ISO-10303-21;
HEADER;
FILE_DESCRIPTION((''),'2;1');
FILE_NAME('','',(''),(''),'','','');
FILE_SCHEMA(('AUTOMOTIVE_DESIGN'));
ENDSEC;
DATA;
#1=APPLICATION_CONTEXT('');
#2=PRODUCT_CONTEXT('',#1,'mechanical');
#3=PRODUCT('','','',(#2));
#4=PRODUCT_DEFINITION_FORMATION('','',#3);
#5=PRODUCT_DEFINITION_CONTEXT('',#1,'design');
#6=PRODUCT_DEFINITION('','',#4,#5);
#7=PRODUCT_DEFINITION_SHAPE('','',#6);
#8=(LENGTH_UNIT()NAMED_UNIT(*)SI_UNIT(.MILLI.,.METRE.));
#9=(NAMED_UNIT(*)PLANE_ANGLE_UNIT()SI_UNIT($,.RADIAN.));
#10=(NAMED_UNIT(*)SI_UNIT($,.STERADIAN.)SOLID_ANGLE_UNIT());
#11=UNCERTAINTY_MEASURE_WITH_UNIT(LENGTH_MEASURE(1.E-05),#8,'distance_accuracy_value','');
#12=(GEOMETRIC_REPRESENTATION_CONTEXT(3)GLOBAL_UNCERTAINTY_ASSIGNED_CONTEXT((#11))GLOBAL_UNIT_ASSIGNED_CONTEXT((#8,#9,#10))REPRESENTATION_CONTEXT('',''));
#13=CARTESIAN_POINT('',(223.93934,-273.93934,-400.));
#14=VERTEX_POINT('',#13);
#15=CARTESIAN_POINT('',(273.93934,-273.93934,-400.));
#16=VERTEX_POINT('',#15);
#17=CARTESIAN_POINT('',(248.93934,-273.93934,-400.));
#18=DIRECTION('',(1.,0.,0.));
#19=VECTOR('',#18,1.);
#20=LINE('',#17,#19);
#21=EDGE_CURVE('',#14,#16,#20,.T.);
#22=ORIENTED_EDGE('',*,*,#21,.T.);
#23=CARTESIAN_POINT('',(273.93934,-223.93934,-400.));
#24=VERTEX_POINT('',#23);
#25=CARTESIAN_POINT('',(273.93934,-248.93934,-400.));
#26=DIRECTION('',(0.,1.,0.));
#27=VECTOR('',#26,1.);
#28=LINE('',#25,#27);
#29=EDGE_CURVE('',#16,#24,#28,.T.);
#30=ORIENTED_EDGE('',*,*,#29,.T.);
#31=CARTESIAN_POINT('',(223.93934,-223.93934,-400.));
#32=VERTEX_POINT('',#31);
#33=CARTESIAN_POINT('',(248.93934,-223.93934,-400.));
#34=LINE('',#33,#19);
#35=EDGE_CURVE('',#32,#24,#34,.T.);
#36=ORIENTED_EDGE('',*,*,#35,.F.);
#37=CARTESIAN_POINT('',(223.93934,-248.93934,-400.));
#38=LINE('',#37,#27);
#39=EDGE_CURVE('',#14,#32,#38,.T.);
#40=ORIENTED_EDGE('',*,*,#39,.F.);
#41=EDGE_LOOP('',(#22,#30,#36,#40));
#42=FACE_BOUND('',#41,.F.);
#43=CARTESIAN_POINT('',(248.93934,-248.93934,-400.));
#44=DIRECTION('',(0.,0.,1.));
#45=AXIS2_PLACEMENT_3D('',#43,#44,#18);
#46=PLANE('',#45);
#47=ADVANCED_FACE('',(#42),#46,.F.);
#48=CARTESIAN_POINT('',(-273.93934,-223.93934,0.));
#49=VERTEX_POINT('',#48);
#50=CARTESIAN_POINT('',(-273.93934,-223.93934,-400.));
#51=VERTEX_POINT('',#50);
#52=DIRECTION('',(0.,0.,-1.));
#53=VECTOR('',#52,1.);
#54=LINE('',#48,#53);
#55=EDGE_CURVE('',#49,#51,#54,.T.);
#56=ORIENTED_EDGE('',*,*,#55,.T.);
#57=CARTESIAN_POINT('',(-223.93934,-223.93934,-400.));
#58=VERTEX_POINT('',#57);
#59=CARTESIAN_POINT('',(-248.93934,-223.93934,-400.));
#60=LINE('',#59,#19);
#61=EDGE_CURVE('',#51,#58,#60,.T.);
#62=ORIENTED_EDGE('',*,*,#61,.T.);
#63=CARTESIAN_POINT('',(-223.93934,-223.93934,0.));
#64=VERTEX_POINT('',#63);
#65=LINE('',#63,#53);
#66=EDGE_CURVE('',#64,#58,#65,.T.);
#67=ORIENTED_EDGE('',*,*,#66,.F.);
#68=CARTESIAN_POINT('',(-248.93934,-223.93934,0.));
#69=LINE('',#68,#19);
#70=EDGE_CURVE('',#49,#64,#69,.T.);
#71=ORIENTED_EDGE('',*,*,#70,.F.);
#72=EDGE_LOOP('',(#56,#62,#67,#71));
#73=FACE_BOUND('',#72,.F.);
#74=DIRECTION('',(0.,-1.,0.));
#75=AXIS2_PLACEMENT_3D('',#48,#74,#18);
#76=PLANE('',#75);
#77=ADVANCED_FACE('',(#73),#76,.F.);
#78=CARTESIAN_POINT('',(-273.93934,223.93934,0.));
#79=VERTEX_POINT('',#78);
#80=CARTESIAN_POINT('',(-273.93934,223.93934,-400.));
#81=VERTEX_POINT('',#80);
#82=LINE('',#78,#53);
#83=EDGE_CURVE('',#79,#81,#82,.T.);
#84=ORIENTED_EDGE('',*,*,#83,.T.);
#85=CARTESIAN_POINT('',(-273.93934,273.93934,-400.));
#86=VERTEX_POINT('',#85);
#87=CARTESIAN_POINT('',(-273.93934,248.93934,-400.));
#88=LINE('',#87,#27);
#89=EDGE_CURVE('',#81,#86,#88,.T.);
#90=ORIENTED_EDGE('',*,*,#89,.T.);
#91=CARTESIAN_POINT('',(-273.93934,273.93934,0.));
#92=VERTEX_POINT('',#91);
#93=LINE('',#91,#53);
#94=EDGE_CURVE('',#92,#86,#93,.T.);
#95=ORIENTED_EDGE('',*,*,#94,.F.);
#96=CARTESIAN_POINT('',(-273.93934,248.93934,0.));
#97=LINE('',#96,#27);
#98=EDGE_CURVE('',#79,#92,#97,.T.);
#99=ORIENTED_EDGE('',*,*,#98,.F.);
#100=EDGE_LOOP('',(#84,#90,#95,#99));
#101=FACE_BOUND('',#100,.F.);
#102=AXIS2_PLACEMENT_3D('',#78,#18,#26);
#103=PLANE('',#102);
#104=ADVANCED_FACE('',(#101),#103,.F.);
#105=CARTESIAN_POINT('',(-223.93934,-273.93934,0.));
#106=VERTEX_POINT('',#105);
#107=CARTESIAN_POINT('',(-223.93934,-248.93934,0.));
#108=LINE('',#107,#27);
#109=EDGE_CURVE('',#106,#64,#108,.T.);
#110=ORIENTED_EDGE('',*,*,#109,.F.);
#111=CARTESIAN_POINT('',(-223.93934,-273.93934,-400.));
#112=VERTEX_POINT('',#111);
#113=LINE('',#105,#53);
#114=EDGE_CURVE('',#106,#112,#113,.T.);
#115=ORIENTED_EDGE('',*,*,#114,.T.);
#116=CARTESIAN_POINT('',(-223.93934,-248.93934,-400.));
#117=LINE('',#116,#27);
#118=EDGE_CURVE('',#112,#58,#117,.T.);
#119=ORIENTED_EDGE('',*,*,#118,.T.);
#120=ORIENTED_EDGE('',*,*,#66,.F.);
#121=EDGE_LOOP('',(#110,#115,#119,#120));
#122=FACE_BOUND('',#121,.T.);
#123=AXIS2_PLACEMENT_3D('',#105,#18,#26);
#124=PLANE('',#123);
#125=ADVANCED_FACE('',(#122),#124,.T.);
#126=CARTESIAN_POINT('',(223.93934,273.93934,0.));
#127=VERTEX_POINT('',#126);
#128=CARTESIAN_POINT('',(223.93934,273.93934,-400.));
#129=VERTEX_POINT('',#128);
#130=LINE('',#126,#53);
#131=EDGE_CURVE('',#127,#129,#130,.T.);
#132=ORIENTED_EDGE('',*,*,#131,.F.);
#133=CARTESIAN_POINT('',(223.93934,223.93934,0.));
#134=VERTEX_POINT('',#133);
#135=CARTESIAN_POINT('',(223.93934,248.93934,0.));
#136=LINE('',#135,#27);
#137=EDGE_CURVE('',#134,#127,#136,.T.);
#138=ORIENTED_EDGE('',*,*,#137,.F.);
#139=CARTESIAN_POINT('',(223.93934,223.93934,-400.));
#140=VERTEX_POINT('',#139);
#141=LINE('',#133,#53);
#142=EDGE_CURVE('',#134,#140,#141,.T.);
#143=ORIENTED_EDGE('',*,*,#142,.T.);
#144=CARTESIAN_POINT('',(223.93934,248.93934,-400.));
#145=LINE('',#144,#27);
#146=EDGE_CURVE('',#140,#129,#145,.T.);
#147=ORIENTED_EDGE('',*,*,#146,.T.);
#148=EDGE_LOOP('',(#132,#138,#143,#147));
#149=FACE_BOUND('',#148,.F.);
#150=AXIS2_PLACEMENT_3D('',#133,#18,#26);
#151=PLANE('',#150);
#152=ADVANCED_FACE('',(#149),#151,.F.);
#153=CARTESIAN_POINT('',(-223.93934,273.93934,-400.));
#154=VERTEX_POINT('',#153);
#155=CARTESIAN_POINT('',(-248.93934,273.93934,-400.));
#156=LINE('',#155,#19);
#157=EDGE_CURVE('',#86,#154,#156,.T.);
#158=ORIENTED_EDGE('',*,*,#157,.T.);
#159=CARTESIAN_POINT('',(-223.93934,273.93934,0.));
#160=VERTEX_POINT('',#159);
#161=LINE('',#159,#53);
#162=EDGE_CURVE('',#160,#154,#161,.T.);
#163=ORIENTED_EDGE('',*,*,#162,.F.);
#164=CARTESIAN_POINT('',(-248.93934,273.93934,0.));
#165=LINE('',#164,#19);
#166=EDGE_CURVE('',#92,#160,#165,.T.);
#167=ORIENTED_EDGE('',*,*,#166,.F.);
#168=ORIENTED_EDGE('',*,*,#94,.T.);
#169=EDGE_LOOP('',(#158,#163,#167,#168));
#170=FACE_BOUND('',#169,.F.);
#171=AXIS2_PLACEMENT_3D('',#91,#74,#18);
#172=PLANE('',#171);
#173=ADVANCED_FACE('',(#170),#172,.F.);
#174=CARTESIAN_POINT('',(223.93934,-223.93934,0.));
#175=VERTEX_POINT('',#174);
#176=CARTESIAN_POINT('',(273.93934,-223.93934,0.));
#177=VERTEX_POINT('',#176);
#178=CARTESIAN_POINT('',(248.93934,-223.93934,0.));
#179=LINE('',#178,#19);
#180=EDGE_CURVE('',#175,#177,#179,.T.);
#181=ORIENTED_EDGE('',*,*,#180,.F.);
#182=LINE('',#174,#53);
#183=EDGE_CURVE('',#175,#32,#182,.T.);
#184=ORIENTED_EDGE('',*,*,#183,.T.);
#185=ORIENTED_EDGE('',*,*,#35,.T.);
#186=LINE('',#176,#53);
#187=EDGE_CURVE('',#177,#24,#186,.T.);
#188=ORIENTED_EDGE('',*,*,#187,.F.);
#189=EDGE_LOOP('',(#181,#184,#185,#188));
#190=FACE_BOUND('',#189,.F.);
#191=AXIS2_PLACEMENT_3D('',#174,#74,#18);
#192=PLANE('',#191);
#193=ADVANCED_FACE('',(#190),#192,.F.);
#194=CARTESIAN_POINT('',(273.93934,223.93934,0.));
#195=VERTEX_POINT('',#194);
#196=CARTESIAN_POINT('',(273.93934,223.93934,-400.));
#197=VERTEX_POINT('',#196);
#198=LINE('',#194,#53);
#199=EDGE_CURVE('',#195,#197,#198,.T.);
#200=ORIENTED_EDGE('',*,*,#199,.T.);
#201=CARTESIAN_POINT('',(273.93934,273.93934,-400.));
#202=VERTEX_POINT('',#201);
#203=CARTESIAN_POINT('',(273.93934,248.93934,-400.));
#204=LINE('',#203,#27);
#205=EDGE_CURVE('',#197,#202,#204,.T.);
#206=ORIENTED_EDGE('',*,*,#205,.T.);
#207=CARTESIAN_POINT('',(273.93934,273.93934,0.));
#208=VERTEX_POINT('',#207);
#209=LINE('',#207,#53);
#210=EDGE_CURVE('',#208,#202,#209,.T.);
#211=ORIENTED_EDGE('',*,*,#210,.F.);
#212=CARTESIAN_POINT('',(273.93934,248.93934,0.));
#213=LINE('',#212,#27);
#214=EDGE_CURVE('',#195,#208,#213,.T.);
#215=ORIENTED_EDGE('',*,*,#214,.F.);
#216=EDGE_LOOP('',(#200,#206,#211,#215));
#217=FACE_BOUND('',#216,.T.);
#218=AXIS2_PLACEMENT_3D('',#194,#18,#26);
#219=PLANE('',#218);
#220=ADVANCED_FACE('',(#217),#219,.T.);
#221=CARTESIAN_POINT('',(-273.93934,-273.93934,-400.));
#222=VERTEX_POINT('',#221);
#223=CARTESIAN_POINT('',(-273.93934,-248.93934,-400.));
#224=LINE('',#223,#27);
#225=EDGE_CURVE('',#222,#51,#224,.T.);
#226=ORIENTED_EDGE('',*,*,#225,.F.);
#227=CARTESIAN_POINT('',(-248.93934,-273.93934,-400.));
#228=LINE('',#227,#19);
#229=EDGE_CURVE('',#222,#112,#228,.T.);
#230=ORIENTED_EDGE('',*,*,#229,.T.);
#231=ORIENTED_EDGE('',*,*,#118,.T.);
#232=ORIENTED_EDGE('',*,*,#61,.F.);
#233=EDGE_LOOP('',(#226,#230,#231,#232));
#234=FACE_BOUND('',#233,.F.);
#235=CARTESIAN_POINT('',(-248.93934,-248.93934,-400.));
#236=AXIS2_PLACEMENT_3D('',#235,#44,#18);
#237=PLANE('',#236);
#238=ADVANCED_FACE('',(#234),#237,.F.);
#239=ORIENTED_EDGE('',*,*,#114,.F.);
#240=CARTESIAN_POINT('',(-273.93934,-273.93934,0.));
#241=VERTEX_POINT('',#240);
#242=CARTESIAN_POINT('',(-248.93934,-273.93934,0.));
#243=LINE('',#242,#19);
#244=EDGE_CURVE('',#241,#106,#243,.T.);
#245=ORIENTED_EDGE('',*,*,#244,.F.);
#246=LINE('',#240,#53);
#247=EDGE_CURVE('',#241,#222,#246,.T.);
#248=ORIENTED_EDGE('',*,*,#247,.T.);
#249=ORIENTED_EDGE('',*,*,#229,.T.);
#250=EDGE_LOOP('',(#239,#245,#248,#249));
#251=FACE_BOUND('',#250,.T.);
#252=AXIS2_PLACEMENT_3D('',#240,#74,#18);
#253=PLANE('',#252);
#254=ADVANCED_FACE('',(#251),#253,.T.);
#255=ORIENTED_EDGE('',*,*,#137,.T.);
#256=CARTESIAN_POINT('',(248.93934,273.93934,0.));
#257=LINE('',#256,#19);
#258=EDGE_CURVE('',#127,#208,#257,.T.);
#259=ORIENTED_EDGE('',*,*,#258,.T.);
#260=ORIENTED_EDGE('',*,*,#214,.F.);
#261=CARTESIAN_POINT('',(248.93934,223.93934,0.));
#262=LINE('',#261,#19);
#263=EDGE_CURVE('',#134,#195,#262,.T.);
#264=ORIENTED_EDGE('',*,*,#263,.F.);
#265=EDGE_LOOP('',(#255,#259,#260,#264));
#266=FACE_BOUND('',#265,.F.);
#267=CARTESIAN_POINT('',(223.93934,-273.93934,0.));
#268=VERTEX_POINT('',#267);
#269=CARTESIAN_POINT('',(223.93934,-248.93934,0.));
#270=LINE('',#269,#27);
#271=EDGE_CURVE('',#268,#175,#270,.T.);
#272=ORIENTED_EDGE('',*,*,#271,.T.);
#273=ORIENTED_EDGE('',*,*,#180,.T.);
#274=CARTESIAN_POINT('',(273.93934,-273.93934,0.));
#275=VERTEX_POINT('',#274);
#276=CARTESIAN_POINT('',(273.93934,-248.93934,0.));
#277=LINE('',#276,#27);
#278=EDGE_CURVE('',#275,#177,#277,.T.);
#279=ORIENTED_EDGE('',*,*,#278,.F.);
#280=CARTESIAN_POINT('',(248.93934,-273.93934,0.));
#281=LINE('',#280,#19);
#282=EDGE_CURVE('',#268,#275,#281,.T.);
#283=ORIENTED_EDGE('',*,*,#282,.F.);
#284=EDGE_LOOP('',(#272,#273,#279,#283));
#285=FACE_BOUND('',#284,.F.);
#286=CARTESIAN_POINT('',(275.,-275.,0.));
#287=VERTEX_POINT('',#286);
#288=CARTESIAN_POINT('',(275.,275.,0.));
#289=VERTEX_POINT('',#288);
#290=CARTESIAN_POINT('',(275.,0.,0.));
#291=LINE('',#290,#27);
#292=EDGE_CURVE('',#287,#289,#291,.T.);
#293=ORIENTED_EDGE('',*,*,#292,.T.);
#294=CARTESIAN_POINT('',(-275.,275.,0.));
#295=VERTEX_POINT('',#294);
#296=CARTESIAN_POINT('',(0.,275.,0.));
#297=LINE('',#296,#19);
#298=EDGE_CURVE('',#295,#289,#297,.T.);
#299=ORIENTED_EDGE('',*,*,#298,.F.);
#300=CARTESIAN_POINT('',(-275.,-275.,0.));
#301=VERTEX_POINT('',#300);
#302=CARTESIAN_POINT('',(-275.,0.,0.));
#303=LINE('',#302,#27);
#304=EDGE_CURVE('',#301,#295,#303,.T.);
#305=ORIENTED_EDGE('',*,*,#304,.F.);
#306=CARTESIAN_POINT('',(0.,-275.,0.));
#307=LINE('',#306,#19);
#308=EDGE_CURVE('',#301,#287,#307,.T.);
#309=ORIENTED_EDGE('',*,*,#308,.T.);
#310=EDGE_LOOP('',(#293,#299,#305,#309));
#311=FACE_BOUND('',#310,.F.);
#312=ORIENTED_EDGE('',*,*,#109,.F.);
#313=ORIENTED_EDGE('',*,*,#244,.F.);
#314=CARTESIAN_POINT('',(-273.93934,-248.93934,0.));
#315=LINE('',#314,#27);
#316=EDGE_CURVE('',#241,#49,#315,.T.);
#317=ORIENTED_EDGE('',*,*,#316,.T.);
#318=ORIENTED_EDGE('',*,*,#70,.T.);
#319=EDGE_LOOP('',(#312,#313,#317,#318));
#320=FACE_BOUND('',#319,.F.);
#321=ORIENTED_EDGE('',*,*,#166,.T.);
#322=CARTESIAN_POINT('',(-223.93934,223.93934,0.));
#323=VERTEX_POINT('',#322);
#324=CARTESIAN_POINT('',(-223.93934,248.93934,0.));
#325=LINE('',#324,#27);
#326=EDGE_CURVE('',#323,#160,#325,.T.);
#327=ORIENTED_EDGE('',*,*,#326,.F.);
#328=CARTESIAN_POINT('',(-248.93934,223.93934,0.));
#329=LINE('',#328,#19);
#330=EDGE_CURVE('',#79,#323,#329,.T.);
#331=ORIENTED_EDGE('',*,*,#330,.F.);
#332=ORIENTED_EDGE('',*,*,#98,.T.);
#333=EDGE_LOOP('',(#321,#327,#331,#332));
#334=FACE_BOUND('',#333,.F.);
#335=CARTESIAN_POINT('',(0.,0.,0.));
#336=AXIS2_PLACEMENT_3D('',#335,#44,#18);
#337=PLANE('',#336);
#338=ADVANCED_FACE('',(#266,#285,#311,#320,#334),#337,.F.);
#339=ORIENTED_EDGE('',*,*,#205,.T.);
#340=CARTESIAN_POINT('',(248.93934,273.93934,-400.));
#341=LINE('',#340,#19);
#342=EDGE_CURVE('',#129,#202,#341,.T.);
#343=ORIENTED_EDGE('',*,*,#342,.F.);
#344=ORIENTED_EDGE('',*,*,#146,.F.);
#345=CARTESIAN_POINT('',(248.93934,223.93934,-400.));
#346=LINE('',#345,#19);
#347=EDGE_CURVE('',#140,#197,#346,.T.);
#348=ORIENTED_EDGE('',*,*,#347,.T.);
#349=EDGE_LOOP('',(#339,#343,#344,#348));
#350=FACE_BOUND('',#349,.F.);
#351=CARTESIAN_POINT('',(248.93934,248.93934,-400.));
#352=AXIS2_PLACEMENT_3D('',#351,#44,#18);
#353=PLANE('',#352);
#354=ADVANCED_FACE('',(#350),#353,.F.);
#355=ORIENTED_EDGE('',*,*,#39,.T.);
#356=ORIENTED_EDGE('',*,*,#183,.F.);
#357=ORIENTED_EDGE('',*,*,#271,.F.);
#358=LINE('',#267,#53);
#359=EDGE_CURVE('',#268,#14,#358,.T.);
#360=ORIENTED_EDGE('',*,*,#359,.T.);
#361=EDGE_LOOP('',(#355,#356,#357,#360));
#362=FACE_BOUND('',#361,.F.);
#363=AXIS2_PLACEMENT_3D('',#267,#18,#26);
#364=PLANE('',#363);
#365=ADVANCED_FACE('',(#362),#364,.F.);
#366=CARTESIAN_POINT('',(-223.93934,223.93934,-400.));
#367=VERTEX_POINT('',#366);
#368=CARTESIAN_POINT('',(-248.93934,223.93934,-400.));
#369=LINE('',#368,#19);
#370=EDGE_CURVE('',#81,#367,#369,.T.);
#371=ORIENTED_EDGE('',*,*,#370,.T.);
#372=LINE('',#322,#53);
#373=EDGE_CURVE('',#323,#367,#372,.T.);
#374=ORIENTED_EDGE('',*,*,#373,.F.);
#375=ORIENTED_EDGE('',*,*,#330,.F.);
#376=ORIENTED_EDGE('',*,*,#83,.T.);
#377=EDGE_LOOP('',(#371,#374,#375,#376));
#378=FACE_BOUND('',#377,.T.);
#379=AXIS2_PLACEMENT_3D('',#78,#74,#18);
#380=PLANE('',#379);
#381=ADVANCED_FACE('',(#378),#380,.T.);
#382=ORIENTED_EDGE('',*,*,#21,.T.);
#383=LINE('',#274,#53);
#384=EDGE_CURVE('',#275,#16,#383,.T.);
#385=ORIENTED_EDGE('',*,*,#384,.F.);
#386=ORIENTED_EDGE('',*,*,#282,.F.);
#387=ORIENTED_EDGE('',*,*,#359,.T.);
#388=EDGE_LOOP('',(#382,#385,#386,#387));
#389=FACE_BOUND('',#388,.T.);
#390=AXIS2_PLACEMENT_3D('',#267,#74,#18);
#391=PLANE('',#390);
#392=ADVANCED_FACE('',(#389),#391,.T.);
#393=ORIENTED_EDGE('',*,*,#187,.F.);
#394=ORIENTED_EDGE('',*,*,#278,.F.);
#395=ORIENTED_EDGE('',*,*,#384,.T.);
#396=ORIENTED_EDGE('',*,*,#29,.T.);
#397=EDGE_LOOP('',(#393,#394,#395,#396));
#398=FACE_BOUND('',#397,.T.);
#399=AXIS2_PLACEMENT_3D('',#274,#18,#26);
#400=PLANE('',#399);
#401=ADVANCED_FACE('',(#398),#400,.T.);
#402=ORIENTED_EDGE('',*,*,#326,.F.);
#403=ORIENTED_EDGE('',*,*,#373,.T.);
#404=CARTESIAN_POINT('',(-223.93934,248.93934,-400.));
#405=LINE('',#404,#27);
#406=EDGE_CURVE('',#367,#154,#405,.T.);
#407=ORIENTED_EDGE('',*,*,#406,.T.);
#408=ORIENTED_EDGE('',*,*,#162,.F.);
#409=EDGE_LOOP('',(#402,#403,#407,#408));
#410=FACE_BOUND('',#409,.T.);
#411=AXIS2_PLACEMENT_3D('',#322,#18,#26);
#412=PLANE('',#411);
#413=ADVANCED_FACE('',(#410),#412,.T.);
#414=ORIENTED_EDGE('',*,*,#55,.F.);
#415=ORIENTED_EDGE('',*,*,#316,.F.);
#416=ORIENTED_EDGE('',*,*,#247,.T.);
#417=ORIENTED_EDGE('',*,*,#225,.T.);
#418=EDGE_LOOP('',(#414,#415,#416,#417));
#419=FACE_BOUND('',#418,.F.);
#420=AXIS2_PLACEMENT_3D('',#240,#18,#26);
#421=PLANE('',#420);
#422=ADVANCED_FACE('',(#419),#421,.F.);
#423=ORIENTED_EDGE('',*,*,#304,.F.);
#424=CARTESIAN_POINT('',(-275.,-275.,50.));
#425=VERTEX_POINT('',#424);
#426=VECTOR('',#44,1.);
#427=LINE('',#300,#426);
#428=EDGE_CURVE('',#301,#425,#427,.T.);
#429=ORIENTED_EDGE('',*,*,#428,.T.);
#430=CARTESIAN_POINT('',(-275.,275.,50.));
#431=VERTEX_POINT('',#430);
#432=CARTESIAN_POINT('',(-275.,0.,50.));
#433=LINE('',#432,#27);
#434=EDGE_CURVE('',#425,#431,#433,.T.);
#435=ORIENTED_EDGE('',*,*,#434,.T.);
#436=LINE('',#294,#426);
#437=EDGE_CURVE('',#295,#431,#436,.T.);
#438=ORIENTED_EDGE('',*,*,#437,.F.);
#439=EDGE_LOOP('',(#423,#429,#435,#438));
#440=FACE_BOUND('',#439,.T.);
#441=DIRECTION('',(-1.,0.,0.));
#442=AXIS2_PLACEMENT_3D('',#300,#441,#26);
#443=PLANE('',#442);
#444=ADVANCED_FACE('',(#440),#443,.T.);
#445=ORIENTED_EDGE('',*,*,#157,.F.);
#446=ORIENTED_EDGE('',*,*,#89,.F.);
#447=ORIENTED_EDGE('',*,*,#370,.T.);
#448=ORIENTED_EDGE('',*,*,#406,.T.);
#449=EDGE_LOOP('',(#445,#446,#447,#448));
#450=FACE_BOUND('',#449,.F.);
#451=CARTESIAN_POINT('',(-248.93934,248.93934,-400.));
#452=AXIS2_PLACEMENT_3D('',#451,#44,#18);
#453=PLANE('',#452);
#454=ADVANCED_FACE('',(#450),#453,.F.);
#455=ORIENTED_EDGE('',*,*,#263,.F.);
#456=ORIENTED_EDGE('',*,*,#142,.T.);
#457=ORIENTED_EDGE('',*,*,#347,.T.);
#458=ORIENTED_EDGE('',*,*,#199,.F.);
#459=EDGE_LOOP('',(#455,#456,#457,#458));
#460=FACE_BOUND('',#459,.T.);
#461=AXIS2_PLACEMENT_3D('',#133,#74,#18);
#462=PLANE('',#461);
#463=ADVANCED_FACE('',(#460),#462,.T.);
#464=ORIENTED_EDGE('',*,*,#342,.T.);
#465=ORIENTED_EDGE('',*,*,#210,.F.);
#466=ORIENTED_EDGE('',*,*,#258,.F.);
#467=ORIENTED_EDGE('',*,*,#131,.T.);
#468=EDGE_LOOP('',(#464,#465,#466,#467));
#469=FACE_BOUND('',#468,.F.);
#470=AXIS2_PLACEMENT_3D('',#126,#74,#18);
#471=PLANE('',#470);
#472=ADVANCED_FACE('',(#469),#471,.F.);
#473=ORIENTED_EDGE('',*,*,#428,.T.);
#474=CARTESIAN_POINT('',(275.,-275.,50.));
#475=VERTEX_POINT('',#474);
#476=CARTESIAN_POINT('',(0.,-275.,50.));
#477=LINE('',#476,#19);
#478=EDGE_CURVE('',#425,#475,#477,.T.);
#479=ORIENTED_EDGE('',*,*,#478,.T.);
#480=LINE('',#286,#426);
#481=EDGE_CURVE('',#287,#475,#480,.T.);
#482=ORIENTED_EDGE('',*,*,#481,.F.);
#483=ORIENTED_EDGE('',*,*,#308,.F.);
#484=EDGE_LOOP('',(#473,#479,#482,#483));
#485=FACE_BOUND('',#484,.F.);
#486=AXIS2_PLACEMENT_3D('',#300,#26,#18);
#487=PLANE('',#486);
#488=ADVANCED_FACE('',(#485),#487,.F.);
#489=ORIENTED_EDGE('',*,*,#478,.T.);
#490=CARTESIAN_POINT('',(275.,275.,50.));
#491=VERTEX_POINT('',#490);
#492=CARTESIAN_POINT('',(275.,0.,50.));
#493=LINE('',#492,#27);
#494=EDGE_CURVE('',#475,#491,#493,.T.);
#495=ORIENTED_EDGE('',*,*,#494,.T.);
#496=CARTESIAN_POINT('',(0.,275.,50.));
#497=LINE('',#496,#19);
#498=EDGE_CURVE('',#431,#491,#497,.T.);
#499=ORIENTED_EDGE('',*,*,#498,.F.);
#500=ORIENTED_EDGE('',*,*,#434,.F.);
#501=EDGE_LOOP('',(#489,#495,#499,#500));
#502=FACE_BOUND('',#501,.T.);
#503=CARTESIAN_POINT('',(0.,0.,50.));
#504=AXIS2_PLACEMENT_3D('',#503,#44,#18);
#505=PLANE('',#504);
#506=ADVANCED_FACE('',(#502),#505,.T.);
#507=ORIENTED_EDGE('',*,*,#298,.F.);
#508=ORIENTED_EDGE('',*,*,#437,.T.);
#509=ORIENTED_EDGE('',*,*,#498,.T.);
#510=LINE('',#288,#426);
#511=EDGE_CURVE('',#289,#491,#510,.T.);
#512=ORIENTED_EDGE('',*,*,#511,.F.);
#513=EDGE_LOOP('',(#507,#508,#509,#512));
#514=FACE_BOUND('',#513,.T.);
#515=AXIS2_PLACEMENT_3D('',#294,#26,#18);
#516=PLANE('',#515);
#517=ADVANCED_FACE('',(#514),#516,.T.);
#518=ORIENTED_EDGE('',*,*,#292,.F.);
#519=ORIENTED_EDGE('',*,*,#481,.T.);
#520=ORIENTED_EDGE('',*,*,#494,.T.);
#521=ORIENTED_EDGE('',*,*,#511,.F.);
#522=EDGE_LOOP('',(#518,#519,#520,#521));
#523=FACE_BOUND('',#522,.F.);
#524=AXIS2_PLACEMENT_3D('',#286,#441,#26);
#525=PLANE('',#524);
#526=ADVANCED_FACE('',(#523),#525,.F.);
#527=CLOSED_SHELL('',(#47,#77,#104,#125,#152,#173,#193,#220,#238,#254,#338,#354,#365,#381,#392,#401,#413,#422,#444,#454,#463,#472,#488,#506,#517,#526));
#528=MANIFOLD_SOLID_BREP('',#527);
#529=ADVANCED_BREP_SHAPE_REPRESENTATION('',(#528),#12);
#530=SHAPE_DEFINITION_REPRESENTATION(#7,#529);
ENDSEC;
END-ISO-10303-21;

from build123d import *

# Parameters (mm, degrees)
F0_W     = 550
F0_H     = 550
F0_W_2   = 50
F0_H_2   = 50
F1_DEPTH = 50
F2_DEPTH = 400


with BuildPart() as f1:
    # F0 (on Top) → F1 (new body)
    with BuildSketch(Plane.XY):
        Rectangle(F0_W, F0_H)
        with Locations((-248.93934, -248.93934)):
            Rectangle(F0_W_2, F0_H_2, mode=Mode.SUBTRACT)
        with Locations((248.93934, -248.93934)):
            Rectangle(F0_W_2, F0_H_2, mode=Mode.SUBTRACT)
        with Locations((-248.93934, 248.93934)):
            Rectangle(F0_W_2, F0_H_2, mode=Mode.SUBTRACT)
        with Locations((248.93934, 248.93934)):
            Rectangle(F0_W_2, F0_H_2, mode=Mode.SUBTRACT)
        with Locations((-248.93934, 248.93934)):
            Rectangle(F0_W_2, F0_H_2)
        with Locations((-248.93934, -248.93934)):
            Rectangle(F0_W_2, F0_H_2)
        with Locations((248.93934, -248.93934)):
            Rectangle(F0_W_2, F0_H_2)
        with Locations((248.93934, 248.93934)):
            Rectangle(F0_W_2, F0_H_2)
    extrude(amount=F1_DEPTH)

    # F0 (on Top) → F2 (join)
    with BuildSketch(Plane.XY):
        with Locations((-248.93934, -248.93934)):
            Rectangle(F0_W_2, F0_H_2)
        with Locations((248.93934, -248.93934)):
            Rectangle(F0_W_2, F0_H_2)
        with Locations((248.93934, 248.93934)):
            Rectangle(F0_W_2, F0_H_2)
        with Locations((-248.93934, 248.93934)):
            Rectangle(F0_W_2, F0_H_2)
    extrude(amount=-F2_DEPTH)


solid = f1.part
